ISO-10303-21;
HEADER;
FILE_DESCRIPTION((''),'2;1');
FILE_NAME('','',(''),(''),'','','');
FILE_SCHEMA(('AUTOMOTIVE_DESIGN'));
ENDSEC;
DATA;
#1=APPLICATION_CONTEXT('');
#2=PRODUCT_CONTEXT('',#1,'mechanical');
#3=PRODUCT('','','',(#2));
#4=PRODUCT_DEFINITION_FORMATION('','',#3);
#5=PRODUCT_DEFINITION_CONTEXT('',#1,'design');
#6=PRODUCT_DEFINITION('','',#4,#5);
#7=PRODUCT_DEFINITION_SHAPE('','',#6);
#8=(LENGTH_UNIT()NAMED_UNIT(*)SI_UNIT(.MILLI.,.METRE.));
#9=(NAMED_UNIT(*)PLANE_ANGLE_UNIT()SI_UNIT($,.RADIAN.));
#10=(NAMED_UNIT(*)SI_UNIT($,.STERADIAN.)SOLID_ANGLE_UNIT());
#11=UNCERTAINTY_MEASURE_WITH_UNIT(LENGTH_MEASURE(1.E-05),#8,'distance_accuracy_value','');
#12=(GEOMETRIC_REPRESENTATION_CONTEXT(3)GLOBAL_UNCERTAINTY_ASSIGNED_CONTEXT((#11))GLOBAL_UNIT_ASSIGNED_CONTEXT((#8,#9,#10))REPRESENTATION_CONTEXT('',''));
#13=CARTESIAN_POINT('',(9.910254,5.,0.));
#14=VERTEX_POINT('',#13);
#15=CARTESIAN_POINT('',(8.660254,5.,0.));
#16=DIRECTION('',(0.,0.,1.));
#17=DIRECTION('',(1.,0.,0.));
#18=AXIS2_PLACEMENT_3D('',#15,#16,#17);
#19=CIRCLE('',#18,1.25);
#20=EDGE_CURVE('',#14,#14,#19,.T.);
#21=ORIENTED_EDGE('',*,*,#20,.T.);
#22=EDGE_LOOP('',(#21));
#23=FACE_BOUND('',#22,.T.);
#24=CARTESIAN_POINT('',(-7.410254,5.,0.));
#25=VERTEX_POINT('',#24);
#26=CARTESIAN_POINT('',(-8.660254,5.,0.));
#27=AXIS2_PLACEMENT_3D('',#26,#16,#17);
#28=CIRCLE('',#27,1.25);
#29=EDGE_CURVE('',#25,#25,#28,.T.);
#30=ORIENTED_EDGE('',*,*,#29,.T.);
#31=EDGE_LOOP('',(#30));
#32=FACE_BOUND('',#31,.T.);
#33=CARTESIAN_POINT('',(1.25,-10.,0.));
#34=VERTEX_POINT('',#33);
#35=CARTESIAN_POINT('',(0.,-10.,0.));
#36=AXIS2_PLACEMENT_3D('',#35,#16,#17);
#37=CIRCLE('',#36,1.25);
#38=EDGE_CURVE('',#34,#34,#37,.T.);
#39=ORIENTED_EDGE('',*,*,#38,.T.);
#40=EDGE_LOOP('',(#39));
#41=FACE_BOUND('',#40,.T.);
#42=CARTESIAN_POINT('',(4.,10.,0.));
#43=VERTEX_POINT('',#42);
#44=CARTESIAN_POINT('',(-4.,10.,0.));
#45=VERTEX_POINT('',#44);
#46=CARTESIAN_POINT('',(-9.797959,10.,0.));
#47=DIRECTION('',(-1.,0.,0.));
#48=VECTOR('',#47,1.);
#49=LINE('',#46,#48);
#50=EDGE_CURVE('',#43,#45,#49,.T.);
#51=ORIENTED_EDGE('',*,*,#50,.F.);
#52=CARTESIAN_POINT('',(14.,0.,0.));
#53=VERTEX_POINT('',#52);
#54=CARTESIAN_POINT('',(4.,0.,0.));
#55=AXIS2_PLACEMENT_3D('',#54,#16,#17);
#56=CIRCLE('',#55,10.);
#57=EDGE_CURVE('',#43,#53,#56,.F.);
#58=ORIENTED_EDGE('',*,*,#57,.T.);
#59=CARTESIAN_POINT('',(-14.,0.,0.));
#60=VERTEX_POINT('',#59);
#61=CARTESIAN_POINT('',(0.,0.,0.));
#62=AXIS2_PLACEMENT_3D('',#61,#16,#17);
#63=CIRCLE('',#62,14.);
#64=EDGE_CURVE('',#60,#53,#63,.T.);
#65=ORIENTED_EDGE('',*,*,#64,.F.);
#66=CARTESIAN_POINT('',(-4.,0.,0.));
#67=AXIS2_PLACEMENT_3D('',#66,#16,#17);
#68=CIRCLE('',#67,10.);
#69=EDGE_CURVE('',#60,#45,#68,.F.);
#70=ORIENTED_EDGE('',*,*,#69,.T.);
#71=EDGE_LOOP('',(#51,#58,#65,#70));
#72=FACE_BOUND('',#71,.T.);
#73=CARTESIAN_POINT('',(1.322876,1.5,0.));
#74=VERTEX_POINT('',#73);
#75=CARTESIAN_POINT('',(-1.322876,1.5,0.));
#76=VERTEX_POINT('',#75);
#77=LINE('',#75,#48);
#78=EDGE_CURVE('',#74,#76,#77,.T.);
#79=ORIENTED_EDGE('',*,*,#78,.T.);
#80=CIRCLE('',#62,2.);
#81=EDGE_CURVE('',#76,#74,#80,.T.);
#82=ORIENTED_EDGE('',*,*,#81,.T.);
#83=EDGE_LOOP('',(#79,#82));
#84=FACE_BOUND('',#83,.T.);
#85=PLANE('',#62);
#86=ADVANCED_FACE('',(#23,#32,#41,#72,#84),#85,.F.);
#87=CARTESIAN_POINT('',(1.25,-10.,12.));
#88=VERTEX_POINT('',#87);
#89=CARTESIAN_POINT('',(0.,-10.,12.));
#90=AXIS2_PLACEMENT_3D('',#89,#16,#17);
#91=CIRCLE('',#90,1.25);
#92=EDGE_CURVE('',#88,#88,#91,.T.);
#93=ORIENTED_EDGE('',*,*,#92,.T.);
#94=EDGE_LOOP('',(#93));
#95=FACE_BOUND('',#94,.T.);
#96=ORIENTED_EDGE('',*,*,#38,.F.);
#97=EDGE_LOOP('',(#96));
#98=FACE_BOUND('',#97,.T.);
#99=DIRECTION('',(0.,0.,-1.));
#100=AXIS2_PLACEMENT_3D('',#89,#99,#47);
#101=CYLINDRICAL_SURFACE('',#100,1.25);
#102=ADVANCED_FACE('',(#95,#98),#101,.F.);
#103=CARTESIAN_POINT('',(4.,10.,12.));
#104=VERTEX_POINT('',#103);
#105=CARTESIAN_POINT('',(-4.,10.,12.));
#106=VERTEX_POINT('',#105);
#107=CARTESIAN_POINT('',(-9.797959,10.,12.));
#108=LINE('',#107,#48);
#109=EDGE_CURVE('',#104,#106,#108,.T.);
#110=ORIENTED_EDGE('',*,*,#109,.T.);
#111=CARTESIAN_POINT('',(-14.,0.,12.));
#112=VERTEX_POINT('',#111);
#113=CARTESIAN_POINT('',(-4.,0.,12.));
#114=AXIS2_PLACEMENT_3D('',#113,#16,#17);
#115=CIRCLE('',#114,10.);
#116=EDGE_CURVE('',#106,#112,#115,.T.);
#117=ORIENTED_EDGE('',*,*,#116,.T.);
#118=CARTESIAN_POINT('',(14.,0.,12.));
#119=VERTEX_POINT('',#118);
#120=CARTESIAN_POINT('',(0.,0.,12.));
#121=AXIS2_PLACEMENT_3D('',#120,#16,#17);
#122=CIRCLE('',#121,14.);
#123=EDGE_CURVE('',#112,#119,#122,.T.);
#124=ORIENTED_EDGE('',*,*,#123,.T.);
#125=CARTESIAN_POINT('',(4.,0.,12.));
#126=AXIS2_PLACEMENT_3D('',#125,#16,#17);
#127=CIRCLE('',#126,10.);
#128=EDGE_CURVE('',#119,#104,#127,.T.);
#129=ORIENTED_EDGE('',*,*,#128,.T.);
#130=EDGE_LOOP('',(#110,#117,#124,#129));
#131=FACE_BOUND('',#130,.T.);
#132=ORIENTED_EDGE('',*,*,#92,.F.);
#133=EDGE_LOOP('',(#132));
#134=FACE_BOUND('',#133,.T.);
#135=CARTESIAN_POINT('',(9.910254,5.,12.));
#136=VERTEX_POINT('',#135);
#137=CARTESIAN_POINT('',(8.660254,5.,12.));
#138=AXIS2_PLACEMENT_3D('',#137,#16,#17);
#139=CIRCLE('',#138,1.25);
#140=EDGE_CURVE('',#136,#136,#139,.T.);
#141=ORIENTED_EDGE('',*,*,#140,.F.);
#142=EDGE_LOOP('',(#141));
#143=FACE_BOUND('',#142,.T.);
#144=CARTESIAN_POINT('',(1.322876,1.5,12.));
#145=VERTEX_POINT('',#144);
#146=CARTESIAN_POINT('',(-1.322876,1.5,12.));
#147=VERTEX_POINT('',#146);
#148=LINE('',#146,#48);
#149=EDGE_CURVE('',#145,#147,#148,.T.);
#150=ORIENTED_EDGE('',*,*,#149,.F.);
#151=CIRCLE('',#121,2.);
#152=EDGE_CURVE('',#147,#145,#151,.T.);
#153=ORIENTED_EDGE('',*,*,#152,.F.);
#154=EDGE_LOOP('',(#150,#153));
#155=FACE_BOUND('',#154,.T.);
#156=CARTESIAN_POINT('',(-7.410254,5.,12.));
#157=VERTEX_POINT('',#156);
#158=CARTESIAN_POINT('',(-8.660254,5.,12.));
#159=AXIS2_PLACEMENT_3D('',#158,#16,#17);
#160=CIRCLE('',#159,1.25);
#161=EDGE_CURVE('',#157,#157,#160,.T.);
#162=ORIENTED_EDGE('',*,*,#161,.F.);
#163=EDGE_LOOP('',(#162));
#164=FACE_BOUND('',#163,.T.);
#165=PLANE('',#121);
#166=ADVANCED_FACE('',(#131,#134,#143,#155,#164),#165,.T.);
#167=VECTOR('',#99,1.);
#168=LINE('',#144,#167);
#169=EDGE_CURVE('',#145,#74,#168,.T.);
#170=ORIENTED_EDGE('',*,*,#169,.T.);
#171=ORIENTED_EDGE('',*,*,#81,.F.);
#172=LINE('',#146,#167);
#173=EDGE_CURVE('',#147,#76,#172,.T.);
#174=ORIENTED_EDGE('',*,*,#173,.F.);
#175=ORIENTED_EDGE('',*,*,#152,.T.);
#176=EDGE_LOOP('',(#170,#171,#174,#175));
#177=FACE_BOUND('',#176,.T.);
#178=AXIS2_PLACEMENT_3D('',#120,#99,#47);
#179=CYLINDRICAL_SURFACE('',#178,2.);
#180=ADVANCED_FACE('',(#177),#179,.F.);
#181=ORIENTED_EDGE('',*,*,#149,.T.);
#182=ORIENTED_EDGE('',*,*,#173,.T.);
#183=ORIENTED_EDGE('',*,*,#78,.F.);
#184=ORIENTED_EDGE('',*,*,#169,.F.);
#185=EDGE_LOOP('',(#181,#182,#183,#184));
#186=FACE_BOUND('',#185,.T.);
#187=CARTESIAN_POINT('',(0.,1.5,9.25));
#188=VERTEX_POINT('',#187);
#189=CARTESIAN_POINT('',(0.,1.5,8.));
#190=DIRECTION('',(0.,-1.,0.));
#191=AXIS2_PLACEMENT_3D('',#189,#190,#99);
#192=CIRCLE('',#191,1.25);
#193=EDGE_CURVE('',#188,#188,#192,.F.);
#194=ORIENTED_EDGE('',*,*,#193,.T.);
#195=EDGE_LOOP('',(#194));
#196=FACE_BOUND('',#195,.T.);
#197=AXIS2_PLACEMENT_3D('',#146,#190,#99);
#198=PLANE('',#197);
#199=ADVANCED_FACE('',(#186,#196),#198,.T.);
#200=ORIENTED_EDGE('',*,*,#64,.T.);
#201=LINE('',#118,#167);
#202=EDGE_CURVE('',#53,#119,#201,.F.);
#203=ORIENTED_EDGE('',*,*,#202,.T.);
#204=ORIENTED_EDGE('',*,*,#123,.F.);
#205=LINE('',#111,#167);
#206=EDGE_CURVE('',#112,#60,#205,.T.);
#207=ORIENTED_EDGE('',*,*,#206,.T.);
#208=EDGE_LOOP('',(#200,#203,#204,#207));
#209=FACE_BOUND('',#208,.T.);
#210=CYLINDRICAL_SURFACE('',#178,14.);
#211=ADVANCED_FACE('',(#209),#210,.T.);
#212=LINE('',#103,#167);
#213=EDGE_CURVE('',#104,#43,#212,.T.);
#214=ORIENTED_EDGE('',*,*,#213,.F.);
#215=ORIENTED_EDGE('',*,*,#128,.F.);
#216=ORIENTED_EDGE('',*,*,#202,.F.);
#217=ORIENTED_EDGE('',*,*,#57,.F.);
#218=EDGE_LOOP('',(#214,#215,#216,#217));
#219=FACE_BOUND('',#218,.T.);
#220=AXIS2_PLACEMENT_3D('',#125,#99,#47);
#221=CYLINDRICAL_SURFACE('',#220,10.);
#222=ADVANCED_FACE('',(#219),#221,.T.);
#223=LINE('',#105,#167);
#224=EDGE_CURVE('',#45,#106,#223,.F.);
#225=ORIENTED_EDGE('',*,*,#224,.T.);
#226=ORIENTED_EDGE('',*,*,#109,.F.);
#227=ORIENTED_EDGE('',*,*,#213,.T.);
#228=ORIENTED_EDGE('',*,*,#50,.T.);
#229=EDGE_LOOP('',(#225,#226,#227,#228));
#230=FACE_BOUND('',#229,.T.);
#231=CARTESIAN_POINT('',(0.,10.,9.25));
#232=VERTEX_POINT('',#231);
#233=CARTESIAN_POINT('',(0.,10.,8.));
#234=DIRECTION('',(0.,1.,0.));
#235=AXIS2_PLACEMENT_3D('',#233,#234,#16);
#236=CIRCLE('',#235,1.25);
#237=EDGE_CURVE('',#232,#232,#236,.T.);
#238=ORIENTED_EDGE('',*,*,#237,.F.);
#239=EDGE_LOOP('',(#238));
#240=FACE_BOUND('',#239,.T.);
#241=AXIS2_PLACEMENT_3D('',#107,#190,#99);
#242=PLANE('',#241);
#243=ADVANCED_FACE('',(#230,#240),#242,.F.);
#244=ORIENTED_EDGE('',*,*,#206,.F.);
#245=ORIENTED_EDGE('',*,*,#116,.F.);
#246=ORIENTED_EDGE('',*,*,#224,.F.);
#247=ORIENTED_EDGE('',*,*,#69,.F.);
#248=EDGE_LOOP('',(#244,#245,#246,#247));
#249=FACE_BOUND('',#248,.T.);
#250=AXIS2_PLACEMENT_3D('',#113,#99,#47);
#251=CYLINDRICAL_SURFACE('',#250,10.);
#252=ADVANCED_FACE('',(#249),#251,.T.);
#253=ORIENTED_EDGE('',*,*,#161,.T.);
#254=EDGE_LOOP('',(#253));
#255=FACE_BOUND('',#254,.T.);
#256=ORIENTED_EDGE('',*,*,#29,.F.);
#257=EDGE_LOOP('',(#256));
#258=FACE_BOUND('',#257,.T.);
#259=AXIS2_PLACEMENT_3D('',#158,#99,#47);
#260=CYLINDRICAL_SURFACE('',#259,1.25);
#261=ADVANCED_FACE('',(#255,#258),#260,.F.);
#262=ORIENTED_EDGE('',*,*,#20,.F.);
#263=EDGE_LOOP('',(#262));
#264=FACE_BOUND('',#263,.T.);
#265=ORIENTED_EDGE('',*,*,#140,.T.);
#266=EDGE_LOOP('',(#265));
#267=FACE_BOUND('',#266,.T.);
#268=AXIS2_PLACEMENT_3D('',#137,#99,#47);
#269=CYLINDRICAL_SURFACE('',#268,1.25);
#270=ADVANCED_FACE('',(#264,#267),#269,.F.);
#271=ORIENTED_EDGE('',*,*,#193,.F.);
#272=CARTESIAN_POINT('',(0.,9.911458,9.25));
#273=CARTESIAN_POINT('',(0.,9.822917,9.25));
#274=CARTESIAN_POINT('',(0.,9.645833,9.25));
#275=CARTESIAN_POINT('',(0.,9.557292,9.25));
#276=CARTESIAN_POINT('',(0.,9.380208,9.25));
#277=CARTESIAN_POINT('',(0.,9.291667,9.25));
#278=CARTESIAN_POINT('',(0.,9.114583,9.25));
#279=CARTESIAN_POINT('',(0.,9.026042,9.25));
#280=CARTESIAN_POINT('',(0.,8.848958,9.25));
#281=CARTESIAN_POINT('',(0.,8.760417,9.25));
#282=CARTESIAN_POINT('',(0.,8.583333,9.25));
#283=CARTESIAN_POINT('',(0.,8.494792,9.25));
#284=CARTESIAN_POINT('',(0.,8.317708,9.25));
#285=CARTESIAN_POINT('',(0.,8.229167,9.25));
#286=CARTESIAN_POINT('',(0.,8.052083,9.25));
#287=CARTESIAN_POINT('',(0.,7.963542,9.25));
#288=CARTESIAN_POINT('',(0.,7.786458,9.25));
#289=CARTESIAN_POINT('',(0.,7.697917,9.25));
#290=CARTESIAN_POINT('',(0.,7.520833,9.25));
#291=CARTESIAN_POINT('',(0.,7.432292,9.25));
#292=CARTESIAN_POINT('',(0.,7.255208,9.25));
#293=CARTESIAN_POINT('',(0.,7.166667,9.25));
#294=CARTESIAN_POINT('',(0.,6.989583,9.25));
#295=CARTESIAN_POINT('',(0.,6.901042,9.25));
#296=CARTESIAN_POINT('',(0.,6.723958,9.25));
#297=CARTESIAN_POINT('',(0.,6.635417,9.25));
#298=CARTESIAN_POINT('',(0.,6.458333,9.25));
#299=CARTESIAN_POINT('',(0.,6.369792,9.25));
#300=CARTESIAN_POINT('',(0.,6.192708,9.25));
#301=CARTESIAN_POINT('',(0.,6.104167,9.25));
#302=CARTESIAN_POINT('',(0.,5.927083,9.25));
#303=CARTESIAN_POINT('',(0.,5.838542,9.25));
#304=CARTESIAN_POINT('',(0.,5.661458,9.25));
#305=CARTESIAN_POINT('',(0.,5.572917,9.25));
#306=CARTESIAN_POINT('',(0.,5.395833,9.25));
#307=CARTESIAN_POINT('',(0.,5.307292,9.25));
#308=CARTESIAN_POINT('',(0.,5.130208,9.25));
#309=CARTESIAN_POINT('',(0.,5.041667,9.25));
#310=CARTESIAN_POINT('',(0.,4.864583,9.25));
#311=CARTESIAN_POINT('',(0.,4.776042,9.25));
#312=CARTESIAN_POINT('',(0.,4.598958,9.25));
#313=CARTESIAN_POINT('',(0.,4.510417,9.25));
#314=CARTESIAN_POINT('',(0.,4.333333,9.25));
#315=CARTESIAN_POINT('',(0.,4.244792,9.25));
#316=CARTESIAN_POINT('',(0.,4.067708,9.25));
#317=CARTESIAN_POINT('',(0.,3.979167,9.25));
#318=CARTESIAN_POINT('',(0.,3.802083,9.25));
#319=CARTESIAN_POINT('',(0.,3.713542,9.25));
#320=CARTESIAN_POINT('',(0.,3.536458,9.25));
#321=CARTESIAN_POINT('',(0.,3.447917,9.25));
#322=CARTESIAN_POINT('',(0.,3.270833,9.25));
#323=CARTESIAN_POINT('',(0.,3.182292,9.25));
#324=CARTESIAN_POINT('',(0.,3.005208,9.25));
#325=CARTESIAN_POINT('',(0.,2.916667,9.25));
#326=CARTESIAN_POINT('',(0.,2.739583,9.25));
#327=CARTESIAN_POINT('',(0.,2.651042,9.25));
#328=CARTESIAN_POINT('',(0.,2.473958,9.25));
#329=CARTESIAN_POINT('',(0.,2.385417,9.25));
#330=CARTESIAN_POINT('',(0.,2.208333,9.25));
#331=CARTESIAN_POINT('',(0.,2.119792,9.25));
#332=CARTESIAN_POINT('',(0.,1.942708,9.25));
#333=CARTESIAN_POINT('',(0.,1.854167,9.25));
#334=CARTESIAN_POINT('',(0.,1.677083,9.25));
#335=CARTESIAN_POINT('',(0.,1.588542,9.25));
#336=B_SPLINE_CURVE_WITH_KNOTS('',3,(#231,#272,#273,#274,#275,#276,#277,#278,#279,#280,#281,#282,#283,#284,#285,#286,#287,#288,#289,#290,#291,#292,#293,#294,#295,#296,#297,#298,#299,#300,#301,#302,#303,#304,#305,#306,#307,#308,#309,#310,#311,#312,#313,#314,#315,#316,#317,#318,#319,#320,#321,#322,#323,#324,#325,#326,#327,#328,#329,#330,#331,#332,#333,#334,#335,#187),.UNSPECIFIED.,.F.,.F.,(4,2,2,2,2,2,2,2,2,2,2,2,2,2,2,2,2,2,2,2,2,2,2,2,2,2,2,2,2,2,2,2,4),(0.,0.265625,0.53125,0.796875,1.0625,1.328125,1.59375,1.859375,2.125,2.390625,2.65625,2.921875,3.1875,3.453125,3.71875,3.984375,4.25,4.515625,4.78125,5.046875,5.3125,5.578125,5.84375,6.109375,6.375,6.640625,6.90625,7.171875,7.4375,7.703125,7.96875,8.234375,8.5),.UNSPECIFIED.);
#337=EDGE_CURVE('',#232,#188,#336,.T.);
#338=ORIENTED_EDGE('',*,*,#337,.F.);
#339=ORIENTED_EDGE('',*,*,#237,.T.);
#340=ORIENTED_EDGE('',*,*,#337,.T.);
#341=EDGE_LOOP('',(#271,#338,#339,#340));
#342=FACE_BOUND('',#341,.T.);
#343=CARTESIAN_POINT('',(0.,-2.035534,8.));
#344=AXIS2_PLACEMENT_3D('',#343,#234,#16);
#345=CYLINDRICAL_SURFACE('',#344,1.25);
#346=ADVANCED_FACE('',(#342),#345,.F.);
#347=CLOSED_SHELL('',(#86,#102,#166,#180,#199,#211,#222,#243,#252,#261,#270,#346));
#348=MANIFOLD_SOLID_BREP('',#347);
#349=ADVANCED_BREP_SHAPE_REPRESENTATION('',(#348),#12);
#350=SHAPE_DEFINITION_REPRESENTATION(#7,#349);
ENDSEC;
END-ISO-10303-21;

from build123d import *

# Parameters (mm, degrees)
SKETCH_1_R          = 1.25
EXTRUDE_1_DEPTH     = 12
SKETCH_3_R          = 1.25
CUT_EXTRUDE_1_DEPTH = 8.5
FILLET_1_R          = 10


with BuildPart() as part:
    # ｽｹｯﾁ1 → ﾎﾞｽ - 押し出し1 (new body)
    with BuildSketch(Plane.XY):
        with BuildLine():
            Line((-9.797958971, 10), (9.797958971, 10))
            ThreePointArc((9.797958971, 10), (0, -14), (-9.797958971, 10))
        make_face()
        with Locations((-8.660254038, 5)):
            Circle(SKETCH_1_R, mode=Mode.SUBTRACT)
        with Locations((8.660254038, 5)):
            Circle(SKETCH_1_R, mode=Mode.SUBTRACT)
        with Locations((0, -10)):
            Circle(SKETCH_1_R, mode=Mode.SUBTRACT)
        with BuildLine():
            Line((-1.322875656, 1.5), (1.322875656, 1.5))
            ThreePointArc((1.322875656, 1.5), (0, -2), (-1.322875656, 1.5))
        make_face(mode=Mode.SUBTRACT)
    extrude(amount=EXTRUDE_1_DEPTH)

    # ｽｹｯﾁ3 → ｶｯﾄ - 押し出し1 (cut)
    with BuildSketch(Plane(origin=(0, 10, 0), x_dir=(1, 0, 0), z_dir=(0, 1, 0))):
        with Locations(Location((0, -8, 0), (0, 0, 270))):
            Circle(SKETCH_3_R)
    extrude(amount=-CUT_EXTRUDE_1_DEPTH, mode=Mode.SUBTRACT)

    # ﾌｨﾚｯﾄ1
    fillet_1_edges = [part.edges().sort_by_distance(p)[0] for p in [
        (-9.797958971, 10, 6),
        (9.797958971, 10, 6),
    ]]
    fillet(fillet_1_edges, radius=FILLET_1_R)


solid = part.part
